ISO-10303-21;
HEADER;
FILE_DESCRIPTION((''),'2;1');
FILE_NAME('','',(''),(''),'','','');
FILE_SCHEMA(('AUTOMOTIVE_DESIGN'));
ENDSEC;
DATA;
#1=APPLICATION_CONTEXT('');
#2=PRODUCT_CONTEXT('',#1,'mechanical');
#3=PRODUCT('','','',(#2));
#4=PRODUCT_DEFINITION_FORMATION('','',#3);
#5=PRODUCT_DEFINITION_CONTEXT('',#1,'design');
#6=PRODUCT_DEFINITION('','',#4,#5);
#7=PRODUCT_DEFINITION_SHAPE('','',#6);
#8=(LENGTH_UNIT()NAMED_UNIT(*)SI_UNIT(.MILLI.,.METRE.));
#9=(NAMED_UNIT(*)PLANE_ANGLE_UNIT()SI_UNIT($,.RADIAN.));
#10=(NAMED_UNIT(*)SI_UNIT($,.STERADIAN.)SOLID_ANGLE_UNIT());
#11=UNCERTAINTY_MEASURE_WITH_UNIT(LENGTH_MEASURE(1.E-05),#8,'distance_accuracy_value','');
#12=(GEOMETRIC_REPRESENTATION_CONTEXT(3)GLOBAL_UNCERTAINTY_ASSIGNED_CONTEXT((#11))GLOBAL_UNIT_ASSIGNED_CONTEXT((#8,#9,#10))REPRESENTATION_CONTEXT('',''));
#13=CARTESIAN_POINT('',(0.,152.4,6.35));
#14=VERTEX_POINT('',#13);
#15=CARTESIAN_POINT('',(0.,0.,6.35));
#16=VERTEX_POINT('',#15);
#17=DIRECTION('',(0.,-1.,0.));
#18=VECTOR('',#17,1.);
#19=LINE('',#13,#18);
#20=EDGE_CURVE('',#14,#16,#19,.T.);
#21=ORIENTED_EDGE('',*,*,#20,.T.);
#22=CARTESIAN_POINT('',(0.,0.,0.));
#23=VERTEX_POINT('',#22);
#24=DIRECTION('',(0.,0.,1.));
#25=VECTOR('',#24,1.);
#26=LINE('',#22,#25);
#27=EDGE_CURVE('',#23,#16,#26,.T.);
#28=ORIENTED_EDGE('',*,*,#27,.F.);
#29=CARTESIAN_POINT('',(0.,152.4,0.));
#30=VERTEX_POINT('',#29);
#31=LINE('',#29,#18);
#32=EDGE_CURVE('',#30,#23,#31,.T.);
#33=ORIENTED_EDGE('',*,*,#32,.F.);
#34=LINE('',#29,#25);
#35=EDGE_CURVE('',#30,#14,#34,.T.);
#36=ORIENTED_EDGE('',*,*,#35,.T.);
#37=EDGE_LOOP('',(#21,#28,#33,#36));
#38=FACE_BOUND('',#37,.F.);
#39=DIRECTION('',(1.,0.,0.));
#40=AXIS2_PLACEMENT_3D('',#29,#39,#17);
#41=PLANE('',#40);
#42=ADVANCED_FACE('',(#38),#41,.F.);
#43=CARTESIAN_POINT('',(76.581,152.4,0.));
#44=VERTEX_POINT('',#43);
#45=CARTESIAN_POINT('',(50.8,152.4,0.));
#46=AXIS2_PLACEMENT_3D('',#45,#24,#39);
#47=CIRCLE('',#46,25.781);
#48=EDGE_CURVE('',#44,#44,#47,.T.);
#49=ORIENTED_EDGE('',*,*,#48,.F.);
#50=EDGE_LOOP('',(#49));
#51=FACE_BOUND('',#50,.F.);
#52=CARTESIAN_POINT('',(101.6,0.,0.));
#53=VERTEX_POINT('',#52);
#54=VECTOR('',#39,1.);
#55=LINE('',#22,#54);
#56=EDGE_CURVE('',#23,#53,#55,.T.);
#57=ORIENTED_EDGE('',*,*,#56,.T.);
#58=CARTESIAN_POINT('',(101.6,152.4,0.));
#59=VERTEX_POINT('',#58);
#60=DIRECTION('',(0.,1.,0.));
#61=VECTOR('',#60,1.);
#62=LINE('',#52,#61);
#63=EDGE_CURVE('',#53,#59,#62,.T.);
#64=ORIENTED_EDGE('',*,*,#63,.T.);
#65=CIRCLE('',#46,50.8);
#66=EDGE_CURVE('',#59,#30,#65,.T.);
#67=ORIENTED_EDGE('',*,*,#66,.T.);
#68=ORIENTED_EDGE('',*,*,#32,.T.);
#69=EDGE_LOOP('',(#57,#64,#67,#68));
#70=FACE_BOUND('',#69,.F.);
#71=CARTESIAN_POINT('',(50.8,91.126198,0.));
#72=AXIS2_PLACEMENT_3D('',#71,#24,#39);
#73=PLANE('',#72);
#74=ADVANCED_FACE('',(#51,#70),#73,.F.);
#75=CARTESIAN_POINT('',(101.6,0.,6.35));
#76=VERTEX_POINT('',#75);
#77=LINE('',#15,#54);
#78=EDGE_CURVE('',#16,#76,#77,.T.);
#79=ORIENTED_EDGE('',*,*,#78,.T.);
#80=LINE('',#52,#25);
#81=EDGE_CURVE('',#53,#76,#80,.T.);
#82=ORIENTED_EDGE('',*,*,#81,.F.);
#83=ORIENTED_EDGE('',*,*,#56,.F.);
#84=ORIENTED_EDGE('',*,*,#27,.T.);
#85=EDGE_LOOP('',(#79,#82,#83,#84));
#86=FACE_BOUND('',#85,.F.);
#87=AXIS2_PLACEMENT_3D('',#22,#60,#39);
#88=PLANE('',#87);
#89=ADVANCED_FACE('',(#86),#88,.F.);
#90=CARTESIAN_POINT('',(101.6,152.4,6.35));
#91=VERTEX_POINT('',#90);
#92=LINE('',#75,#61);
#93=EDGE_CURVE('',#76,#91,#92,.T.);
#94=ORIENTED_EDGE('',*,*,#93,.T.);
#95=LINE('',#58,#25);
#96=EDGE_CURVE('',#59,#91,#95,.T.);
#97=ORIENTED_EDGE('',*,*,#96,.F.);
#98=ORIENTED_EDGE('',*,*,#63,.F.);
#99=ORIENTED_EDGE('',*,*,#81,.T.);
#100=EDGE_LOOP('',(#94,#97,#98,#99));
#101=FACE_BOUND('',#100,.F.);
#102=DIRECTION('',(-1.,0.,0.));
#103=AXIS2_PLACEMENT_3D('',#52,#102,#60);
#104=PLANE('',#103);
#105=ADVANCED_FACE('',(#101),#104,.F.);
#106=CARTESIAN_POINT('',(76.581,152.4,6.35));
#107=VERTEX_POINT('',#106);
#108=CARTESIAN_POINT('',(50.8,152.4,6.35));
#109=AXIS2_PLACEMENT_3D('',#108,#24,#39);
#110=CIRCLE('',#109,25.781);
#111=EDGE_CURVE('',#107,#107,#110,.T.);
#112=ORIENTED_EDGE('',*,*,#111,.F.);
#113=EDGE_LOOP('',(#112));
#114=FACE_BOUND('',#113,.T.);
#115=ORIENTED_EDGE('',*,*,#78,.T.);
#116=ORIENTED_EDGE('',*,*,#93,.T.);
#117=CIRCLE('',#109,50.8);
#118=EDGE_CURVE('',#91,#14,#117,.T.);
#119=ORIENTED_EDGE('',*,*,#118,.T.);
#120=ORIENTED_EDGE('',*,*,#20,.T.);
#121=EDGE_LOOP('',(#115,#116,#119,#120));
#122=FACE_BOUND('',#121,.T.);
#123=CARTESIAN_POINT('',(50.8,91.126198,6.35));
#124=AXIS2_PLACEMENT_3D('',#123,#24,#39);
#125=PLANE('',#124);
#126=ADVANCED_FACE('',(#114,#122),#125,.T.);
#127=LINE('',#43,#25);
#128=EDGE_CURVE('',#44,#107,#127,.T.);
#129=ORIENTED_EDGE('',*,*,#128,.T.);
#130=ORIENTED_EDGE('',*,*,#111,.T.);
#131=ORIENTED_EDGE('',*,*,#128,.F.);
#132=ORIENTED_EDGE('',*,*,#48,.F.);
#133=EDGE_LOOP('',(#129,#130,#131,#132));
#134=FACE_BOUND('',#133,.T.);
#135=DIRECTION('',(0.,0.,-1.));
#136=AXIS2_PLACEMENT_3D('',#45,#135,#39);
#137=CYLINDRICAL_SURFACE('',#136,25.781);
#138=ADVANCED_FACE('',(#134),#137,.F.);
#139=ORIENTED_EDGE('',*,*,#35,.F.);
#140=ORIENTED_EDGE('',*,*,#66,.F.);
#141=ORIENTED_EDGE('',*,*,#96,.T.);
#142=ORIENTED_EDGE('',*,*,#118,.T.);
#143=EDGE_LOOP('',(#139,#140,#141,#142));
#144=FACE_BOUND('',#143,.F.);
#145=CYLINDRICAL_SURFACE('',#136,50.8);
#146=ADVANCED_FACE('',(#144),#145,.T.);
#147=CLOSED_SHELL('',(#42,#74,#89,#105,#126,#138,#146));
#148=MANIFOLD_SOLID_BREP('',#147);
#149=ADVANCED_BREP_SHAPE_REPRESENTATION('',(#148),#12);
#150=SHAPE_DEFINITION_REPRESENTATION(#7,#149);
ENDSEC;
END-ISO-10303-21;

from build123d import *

# Parameters (mm, degrees)
F0_R     = 25.781
F1_DEPTH = 6.35


with BuildPart() as f1:
    # F0 (on Top) → F1 (new body)
    with BuildSketch(Plane.XY):
        with BuildLine():
            Line((0, 152.4), (0, 0))
            Line((0, 0), (101.6, 0))
            Line((101.6, 0), (101.6, 152.4))
            ThreePointArc((101.6, 152.4), (50.8, 203.2), (0, 152.4))
        make_face()
        with Locations((50.8, 152.4)):
            Circle(F0_R, mode=Mode.SUBTRACT)
    extrude(amount=F1_DEPTH)


solid = f1.part
